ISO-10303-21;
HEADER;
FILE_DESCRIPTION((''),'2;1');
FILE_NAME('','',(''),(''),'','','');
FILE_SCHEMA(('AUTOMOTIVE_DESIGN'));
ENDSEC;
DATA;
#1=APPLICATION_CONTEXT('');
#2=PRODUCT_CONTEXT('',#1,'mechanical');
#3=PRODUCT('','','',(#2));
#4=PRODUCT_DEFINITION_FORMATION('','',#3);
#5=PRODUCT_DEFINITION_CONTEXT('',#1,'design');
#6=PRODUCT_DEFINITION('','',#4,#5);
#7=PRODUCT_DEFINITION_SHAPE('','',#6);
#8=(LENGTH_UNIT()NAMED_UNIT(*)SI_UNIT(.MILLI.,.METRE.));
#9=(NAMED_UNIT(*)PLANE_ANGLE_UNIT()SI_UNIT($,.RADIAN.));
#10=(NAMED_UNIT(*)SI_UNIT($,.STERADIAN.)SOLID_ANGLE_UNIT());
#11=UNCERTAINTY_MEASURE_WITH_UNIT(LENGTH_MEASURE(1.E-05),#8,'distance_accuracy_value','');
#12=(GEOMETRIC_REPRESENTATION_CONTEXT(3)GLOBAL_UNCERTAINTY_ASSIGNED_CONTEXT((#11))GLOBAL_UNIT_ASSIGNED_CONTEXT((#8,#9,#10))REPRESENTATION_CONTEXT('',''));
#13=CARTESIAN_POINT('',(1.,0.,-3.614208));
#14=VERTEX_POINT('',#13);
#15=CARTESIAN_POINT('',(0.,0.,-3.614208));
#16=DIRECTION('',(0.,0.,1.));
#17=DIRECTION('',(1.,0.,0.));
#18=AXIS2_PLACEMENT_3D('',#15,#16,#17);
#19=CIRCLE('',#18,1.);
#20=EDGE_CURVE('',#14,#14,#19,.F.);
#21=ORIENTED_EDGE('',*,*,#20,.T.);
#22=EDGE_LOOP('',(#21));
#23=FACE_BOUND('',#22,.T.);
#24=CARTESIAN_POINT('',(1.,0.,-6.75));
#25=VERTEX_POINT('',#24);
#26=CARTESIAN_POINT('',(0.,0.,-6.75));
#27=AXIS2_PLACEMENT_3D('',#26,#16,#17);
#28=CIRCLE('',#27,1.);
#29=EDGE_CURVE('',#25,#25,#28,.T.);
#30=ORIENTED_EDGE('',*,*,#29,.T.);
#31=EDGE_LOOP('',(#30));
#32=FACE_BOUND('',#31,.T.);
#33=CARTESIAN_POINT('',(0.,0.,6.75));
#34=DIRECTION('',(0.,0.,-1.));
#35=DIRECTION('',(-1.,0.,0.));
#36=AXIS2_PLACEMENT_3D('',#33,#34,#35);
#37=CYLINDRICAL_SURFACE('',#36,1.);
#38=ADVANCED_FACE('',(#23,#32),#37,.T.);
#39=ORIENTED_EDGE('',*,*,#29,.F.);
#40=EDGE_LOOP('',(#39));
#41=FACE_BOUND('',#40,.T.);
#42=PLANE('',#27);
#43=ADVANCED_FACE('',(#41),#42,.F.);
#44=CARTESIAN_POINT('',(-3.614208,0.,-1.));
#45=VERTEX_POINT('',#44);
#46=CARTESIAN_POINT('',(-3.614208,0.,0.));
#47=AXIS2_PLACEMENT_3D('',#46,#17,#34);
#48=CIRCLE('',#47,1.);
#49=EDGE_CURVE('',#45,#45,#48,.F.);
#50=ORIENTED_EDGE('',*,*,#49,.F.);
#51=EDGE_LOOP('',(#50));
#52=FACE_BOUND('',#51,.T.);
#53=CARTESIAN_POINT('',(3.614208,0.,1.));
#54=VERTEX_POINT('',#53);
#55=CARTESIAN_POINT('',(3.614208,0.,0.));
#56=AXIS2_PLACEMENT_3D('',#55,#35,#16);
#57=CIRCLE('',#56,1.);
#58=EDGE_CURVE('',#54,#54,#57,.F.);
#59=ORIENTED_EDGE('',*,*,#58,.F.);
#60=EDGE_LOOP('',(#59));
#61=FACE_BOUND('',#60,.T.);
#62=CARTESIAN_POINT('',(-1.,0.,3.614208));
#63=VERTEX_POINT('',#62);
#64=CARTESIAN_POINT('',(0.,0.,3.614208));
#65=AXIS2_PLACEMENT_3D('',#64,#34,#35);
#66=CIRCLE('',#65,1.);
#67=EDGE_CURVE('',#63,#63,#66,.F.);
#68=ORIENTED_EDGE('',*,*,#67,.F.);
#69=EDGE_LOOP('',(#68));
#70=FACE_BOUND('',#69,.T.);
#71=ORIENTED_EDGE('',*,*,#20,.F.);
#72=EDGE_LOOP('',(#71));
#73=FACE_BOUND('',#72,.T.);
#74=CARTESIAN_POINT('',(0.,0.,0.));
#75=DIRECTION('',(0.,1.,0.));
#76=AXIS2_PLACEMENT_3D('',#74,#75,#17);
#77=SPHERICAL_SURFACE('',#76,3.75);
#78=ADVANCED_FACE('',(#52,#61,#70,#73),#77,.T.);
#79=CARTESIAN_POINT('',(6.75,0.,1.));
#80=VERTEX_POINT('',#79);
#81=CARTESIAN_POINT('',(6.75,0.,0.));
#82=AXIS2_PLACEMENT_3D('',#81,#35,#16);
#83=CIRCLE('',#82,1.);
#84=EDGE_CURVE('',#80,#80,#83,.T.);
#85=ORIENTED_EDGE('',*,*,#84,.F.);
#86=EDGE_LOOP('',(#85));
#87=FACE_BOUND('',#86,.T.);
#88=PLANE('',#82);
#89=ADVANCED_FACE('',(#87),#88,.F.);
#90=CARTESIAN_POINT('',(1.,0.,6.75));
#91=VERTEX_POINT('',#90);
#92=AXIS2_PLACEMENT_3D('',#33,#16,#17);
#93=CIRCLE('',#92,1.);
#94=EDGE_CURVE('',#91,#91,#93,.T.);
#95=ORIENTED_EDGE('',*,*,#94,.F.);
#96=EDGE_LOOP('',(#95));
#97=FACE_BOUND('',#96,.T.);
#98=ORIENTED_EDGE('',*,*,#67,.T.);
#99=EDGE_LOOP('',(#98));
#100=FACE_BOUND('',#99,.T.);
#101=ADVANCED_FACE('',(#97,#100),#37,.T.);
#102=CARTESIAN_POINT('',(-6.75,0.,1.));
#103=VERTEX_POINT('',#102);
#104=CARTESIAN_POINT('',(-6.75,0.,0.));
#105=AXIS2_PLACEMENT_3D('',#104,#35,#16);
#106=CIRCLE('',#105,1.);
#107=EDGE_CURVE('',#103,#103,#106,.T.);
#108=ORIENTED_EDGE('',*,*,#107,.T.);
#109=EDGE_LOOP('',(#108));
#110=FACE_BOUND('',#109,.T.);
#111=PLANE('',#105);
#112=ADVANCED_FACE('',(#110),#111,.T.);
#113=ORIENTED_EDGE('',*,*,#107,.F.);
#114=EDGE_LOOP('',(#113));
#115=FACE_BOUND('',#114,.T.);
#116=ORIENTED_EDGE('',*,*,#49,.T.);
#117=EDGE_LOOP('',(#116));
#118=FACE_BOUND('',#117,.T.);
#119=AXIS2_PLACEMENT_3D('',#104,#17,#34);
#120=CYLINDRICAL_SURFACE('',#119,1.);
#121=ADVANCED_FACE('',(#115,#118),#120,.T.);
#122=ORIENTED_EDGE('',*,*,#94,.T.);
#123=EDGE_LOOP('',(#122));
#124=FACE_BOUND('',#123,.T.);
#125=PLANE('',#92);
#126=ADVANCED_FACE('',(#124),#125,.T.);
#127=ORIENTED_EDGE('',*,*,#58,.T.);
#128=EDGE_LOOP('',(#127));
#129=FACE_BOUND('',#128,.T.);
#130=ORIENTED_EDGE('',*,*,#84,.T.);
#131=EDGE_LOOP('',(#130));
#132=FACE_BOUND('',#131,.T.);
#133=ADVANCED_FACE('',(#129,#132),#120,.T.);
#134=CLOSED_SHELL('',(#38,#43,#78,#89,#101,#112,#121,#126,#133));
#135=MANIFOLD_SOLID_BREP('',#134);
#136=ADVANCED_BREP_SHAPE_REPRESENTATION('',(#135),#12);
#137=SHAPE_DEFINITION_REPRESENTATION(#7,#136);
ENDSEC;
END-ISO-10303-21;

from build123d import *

# Parameters (mm, degrees)
SKETCH2_R           = 1
BOSS_EXTRUDE1_DEPTH = 6.75
CIRPATTERN1_COUNT   = 2
CIRPATTERN1_ANGLE   = 90


with BuildPart() as part:
    # Sketch1 → Revolve2 (revolve)
    with BuildSketch(Plane.XY):
        with BuildLine():
            Line((0, 3.75), (0, -3.75))
            ThreePointArc((0, -3.75), (3.75, 0), (0, 3.75))
        make_face()
    revolve(axis=Axis((0, 3.75, 0), (0, -1, 0)))

    # Sketch2 → Boss-Extrude1 (add, symmetric)
    with BuildSketch(Plane.XY):
        Circle(SKETCH2_R)
    boss_extrude1 = extrude(amount=BOSS_EXTRUDE1_DEPTH, both=True)

    # CirPattern1: Boss-Extrude1 ×2 about axis
    cirpattern1_axis = Axis((0, 4.125, 0), (0, -1, 0))
    for i in range(1, CIRPATTERN1_COUNT):
        add(boss_extrude1.rotate(cirpattern1_axis, i * CIRPATTERN1_ANGLE / (CIRPATTERN1_COUNT - 1)))


solid = part.part
